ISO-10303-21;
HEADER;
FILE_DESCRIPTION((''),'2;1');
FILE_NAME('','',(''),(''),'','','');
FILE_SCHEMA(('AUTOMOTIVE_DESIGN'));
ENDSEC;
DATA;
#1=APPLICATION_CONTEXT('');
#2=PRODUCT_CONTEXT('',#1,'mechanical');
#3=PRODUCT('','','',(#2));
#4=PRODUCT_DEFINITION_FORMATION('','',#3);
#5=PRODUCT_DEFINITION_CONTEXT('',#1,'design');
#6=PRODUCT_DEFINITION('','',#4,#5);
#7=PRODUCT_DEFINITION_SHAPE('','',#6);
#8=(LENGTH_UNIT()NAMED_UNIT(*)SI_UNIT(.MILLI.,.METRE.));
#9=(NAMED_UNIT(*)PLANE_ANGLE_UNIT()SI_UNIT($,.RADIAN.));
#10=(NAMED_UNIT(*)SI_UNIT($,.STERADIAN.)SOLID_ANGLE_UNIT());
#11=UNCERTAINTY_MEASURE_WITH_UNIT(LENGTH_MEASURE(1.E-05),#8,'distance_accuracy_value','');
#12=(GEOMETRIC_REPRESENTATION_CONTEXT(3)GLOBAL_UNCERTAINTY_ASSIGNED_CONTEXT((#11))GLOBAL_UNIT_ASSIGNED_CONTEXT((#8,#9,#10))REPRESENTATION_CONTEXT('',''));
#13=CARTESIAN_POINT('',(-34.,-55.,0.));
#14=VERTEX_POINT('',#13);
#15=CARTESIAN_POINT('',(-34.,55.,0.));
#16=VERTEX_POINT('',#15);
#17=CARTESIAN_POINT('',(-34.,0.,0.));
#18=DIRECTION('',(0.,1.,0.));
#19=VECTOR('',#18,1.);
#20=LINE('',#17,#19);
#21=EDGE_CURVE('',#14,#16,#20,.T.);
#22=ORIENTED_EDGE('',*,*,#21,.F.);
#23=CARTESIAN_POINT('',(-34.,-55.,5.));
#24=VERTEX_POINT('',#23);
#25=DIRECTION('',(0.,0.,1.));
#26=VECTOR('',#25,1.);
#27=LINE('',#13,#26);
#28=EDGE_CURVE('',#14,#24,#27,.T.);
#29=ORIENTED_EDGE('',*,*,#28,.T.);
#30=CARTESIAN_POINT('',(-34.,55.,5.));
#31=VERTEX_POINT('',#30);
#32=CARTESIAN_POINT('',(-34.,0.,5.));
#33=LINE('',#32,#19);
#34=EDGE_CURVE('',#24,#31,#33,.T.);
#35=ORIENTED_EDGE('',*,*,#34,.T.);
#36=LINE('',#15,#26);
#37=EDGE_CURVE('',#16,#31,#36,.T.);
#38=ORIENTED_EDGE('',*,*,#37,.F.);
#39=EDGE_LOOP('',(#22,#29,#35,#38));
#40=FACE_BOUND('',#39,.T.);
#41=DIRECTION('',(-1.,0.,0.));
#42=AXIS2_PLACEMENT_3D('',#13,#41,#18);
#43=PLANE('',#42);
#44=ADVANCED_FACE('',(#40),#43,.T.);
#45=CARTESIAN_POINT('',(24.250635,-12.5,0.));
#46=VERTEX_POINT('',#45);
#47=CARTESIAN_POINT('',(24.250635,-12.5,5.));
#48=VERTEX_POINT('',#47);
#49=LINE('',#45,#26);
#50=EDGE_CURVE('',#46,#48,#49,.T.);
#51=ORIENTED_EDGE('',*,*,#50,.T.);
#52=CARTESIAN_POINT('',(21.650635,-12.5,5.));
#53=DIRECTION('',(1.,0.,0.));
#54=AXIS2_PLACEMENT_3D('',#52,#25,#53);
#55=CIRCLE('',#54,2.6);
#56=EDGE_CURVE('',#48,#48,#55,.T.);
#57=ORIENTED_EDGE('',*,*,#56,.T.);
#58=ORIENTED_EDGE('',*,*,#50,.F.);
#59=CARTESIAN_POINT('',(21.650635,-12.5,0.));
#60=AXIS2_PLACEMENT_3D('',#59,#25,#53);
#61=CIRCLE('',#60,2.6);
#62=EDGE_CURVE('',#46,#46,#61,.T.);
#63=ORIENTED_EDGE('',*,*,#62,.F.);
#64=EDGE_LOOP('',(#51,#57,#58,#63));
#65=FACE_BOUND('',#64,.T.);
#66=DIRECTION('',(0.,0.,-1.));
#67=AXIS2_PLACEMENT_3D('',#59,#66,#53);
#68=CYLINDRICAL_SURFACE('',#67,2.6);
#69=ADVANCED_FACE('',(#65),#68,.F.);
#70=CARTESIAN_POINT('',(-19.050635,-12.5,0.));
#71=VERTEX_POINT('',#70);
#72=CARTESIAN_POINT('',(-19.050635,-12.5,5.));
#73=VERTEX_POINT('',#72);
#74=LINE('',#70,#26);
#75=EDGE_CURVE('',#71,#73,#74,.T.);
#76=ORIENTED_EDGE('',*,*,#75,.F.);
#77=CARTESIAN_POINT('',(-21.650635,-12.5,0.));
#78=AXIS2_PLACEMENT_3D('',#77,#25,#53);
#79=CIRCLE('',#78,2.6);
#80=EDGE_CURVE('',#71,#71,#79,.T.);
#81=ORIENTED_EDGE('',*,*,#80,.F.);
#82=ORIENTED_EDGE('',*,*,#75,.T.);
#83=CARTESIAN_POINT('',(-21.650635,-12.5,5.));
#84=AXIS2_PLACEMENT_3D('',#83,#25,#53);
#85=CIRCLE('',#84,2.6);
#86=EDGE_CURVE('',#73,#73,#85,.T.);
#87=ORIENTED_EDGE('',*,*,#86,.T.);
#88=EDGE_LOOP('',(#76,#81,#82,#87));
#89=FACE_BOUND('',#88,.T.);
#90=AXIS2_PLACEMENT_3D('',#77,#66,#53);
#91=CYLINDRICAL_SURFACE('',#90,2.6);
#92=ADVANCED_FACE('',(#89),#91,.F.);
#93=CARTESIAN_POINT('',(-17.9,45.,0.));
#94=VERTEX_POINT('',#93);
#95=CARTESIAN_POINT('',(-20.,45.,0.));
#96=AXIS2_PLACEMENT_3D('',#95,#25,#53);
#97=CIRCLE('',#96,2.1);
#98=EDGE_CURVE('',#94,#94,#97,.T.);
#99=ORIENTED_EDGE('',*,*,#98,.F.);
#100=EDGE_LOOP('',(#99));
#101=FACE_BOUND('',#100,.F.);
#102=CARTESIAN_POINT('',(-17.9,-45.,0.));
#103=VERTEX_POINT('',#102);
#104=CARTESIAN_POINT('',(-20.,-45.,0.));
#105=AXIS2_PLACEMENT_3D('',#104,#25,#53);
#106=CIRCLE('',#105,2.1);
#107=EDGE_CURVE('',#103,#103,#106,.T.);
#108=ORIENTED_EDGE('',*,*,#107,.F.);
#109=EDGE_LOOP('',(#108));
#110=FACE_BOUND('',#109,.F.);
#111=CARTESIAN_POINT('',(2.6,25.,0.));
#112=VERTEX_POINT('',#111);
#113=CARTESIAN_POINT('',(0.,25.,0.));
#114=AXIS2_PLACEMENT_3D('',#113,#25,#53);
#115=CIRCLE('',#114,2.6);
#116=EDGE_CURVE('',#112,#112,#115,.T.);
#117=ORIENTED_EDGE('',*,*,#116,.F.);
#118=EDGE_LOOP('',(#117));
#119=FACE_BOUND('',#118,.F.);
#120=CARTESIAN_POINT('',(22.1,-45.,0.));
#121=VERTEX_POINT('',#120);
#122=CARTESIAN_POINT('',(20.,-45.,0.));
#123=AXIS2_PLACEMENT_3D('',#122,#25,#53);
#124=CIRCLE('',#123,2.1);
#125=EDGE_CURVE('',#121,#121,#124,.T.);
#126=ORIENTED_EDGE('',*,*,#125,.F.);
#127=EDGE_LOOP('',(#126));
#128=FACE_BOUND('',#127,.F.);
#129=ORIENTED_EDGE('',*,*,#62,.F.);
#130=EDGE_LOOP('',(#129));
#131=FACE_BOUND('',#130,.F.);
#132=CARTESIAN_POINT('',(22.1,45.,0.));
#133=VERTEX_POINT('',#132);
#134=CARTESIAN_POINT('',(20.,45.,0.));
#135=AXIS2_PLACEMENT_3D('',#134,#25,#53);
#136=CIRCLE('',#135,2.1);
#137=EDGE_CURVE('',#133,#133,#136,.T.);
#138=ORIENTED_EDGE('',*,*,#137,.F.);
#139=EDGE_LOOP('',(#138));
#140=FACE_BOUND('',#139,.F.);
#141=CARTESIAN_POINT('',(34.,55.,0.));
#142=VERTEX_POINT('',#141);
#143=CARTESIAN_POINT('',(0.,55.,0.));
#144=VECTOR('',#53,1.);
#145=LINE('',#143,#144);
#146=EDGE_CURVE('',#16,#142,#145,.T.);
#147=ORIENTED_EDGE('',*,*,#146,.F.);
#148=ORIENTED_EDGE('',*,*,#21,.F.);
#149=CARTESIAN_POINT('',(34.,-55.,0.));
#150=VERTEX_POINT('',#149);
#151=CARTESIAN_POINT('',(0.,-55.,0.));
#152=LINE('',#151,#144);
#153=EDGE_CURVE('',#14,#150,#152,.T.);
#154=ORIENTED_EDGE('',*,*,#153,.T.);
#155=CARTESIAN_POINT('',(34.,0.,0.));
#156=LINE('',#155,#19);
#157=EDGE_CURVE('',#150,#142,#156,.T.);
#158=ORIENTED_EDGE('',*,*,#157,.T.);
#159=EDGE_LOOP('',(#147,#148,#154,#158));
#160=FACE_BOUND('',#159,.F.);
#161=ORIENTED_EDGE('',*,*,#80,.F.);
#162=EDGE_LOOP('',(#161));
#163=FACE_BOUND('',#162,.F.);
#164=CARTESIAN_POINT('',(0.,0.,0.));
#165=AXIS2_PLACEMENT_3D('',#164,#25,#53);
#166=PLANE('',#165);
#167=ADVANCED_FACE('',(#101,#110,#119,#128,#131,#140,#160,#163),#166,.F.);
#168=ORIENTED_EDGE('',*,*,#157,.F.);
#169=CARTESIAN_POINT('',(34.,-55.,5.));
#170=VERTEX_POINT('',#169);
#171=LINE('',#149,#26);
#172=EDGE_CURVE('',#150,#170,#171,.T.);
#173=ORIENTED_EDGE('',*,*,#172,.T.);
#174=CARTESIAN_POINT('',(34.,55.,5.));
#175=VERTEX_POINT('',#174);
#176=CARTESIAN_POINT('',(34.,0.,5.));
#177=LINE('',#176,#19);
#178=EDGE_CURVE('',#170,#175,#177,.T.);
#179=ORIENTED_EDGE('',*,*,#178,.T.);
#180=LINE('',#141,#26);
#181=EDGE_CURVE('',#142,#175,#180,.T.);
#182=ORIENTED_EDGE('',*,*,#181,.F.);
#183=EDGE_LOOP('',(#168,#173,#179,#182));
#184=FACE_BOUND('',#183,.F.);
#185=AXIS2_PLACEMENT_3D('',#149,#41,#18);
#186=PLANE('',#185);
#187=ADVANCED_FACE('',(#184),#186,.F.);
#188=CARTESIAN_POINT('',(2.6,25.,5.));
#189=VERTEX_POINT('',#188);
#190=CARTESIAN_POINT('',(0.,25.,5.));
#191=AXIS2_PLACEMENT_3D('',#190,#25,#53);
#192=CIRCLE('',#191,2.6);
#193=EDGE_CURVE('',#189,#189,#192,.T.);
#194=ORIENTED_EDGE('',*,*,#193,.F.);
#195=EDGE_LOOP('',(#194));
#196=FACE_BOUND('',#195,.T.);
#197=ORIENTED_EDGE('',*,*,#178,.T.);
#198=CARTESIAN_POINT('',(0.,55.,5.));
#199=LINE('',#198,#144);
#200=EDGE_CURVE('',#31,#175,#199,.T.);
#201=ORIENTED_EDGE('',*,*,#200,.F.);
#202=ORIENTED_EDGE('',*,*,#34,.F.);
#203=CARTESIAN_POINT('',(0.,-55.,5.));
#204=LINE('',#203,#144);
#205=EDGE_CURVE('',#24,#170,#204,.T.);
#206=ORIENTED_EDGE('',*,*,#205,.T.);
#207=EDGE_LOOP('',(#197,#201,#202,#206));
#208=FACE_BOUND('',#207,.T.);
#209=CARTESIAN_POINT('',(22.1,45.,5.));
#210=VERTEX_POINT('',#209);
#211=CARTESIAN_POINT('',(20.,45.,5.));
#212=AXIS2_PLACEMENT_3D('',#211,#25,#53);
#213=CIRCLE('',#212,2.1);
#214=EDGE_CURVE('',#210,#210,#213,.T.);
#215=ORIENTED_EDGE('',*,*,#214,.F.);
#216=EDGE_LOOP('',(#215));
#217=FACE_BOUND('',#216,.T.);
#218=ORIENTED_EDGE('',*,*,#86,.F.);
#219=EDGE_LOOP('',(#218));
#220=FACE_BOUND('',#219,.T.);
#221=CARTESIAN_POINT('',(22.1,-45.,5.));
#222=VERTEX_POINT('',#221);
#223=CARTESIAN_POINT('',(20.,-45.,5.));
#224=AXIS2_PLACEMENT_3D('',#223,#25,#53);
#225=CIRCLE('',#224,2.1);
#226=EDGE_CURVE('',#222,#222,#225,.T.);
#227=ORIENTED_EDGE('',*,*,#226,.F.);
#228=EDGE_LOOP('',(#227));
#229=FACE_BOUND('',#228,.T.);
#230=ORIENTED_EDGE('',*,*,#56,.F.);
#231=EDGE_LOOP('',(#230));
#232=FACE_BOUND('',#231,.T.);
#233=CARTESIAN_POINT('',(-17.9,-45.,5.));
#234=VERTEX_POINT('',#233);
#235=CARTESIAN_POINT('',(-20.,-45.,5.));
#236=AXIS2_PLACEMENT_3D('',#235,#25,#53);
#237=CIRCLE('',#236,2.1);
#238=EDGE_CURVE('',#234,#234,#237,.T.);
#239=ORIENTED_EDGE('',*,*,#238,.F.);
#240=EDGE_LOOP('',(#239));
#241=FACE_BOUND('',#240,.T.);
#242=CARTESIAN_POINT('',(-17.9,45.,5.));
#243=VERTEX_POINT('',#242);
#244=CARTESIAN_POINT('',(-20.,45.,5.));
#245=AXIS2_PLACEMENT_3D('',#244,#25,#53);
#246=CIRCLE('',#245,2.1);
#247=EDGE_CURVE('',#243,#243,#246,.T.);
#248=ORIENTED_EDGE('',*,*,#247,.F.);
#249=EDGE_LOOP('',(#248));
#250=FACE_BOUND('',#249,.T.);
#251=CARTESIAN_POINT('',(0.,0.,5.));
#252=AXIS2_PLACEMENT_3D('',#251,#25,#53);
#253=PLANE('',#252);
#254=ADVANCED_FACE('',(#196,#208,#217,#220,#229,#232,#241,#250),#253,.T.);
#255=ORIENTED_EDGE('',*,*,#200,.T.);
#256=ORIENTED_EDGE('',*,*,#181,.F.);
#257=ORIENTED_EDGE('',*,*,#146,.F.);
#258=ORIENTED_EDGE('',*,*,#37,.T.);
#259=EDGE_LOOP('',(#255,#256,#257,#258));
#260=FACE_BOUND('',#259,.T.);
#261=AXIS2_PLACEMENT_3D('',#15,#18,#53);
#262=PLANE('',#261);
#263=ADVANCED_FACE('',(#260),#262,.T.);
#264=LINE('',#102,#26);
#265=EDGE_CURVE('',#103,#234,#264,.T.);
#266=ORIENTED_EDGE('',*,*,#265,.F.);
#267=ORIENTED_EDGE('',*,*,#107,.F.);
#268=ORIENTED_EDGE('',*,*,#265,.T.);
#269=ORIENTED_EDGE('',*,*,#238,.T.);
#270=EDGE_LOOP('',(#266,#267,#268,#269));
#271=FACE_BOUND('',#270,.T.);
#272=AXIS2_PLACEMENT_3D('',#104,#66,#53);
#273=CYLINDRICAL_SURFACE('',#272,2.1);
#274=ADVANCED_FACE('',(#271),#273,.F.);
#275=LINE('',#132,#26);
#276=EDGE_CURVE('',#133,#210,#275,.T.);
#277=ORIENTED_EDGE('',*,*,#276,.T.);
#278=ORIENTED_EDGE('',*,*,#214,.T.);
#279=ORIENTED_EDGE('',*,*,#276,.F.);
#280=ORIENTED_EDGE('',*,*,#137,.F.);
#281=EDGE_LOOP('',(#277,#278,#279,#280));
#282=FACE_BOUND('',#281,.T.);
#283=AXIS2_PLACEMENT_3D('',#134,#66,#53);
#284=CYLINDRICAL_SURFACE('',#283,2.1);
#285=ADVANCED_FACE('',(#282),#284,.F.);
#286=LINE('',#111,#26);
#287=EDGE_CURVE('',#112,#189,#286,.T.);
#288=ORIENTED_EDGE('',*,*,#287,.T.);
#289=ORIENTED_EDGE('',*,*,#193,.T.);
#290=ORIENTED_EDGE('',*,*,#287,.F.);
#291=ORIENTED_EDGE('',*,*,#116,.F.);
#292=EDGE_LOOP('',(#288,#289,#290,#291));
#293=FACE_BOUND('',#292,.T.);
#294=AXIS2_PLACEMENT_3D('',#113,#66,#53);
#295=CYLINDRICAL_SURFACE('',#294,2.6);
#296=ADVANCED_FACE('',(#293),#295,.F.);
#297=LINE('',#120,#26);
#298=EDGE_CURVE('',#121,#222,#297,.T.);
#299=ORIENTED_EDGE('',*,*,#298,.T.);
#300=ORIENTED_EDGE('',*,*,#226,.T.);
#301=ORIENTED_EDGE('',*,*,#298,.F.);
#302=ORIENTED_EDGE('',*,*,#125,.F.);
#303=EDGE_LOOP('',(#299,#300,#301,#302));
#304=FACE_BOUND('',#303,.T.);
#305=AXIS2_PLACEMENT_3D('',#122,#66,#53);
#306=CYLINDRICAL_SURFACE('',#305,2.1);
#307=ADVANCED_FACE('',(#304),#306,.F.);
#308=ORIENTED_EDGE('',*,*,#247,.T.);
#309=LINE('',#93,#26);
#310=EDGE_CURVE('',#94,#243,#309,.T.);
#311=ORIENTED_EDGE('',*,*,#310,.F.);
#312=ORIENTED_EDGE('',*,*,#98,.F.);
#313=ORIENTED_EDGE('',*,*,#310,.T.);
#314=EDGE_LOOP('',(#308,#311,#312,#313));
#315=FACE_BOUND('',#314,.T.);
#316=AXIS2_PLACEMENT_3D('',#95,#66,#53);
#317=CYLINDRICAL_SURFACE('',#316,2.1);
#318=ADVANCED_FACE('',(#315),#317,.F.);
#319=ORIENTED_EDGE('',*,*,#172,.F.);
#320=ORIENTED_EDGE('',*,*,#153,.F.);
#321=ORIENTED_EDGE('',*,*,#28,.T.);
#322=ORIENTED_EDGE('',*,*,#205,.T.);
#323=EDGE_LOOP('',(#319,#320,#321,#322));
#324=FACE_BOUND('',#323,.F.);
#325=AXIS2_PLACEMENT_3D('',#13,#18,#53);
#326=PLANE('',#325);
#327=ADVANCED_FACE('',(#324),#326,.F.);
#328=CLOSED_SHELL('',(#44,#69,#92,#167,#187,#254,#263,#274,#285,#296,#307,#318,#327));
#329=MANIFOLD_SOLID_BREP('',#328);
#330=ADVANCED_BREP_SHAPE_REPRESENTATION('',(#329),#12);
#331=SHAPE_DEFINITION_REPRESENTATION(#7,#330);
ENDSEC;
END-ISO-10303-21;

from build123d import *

# Parameters (mm, degrees)
SKETCH1_W           = 68
SKETCH1_H           = 110
SKETCH1_R           = 2.1
SKETCH1_R_2         = 2.6
BOSS_EXTRUDE1_DEPTH = 5


with BuildPart() as part:
    # Sketch1 → Boss-Extrude1 (new body)
    with BuildSketch(Plane.XY):
        Rectangle(SKETCH1_W, SKETCH1_H)
        with Locations((20, 45)):
            Circle(SKETCH1_R, mode=Mode.SUBTRACT)
        with Locations((-20, 45)):
            Circle(SKETCH1_R, mode=Mode.SUBTRACT)
        with Locations((20, -45)):
            Circle(SKETCH1_R, mode=Mode.SUBTRACT)
        with Locations((-20, -45)):
            Circle(SKETCH1_R, mode=Mode.SUBTRACT)
        with Locations((21.650635095, -12.5)):
            Circle(SKETCH1_R_2, mode=Mode.SUBTRACT)
        with Locations((0, 25)):
            Circle(SKETCH1_R_2, mode=Mode.SUBTRACT)
        with Locations((-21.650635095, -12.5)):
            Circle(SKETCH1_R_2, mode=Mode.SUBTRACT)
    extrude(amount=BOSS_EXTRUDE1_DEPTH)


solid = part.part
